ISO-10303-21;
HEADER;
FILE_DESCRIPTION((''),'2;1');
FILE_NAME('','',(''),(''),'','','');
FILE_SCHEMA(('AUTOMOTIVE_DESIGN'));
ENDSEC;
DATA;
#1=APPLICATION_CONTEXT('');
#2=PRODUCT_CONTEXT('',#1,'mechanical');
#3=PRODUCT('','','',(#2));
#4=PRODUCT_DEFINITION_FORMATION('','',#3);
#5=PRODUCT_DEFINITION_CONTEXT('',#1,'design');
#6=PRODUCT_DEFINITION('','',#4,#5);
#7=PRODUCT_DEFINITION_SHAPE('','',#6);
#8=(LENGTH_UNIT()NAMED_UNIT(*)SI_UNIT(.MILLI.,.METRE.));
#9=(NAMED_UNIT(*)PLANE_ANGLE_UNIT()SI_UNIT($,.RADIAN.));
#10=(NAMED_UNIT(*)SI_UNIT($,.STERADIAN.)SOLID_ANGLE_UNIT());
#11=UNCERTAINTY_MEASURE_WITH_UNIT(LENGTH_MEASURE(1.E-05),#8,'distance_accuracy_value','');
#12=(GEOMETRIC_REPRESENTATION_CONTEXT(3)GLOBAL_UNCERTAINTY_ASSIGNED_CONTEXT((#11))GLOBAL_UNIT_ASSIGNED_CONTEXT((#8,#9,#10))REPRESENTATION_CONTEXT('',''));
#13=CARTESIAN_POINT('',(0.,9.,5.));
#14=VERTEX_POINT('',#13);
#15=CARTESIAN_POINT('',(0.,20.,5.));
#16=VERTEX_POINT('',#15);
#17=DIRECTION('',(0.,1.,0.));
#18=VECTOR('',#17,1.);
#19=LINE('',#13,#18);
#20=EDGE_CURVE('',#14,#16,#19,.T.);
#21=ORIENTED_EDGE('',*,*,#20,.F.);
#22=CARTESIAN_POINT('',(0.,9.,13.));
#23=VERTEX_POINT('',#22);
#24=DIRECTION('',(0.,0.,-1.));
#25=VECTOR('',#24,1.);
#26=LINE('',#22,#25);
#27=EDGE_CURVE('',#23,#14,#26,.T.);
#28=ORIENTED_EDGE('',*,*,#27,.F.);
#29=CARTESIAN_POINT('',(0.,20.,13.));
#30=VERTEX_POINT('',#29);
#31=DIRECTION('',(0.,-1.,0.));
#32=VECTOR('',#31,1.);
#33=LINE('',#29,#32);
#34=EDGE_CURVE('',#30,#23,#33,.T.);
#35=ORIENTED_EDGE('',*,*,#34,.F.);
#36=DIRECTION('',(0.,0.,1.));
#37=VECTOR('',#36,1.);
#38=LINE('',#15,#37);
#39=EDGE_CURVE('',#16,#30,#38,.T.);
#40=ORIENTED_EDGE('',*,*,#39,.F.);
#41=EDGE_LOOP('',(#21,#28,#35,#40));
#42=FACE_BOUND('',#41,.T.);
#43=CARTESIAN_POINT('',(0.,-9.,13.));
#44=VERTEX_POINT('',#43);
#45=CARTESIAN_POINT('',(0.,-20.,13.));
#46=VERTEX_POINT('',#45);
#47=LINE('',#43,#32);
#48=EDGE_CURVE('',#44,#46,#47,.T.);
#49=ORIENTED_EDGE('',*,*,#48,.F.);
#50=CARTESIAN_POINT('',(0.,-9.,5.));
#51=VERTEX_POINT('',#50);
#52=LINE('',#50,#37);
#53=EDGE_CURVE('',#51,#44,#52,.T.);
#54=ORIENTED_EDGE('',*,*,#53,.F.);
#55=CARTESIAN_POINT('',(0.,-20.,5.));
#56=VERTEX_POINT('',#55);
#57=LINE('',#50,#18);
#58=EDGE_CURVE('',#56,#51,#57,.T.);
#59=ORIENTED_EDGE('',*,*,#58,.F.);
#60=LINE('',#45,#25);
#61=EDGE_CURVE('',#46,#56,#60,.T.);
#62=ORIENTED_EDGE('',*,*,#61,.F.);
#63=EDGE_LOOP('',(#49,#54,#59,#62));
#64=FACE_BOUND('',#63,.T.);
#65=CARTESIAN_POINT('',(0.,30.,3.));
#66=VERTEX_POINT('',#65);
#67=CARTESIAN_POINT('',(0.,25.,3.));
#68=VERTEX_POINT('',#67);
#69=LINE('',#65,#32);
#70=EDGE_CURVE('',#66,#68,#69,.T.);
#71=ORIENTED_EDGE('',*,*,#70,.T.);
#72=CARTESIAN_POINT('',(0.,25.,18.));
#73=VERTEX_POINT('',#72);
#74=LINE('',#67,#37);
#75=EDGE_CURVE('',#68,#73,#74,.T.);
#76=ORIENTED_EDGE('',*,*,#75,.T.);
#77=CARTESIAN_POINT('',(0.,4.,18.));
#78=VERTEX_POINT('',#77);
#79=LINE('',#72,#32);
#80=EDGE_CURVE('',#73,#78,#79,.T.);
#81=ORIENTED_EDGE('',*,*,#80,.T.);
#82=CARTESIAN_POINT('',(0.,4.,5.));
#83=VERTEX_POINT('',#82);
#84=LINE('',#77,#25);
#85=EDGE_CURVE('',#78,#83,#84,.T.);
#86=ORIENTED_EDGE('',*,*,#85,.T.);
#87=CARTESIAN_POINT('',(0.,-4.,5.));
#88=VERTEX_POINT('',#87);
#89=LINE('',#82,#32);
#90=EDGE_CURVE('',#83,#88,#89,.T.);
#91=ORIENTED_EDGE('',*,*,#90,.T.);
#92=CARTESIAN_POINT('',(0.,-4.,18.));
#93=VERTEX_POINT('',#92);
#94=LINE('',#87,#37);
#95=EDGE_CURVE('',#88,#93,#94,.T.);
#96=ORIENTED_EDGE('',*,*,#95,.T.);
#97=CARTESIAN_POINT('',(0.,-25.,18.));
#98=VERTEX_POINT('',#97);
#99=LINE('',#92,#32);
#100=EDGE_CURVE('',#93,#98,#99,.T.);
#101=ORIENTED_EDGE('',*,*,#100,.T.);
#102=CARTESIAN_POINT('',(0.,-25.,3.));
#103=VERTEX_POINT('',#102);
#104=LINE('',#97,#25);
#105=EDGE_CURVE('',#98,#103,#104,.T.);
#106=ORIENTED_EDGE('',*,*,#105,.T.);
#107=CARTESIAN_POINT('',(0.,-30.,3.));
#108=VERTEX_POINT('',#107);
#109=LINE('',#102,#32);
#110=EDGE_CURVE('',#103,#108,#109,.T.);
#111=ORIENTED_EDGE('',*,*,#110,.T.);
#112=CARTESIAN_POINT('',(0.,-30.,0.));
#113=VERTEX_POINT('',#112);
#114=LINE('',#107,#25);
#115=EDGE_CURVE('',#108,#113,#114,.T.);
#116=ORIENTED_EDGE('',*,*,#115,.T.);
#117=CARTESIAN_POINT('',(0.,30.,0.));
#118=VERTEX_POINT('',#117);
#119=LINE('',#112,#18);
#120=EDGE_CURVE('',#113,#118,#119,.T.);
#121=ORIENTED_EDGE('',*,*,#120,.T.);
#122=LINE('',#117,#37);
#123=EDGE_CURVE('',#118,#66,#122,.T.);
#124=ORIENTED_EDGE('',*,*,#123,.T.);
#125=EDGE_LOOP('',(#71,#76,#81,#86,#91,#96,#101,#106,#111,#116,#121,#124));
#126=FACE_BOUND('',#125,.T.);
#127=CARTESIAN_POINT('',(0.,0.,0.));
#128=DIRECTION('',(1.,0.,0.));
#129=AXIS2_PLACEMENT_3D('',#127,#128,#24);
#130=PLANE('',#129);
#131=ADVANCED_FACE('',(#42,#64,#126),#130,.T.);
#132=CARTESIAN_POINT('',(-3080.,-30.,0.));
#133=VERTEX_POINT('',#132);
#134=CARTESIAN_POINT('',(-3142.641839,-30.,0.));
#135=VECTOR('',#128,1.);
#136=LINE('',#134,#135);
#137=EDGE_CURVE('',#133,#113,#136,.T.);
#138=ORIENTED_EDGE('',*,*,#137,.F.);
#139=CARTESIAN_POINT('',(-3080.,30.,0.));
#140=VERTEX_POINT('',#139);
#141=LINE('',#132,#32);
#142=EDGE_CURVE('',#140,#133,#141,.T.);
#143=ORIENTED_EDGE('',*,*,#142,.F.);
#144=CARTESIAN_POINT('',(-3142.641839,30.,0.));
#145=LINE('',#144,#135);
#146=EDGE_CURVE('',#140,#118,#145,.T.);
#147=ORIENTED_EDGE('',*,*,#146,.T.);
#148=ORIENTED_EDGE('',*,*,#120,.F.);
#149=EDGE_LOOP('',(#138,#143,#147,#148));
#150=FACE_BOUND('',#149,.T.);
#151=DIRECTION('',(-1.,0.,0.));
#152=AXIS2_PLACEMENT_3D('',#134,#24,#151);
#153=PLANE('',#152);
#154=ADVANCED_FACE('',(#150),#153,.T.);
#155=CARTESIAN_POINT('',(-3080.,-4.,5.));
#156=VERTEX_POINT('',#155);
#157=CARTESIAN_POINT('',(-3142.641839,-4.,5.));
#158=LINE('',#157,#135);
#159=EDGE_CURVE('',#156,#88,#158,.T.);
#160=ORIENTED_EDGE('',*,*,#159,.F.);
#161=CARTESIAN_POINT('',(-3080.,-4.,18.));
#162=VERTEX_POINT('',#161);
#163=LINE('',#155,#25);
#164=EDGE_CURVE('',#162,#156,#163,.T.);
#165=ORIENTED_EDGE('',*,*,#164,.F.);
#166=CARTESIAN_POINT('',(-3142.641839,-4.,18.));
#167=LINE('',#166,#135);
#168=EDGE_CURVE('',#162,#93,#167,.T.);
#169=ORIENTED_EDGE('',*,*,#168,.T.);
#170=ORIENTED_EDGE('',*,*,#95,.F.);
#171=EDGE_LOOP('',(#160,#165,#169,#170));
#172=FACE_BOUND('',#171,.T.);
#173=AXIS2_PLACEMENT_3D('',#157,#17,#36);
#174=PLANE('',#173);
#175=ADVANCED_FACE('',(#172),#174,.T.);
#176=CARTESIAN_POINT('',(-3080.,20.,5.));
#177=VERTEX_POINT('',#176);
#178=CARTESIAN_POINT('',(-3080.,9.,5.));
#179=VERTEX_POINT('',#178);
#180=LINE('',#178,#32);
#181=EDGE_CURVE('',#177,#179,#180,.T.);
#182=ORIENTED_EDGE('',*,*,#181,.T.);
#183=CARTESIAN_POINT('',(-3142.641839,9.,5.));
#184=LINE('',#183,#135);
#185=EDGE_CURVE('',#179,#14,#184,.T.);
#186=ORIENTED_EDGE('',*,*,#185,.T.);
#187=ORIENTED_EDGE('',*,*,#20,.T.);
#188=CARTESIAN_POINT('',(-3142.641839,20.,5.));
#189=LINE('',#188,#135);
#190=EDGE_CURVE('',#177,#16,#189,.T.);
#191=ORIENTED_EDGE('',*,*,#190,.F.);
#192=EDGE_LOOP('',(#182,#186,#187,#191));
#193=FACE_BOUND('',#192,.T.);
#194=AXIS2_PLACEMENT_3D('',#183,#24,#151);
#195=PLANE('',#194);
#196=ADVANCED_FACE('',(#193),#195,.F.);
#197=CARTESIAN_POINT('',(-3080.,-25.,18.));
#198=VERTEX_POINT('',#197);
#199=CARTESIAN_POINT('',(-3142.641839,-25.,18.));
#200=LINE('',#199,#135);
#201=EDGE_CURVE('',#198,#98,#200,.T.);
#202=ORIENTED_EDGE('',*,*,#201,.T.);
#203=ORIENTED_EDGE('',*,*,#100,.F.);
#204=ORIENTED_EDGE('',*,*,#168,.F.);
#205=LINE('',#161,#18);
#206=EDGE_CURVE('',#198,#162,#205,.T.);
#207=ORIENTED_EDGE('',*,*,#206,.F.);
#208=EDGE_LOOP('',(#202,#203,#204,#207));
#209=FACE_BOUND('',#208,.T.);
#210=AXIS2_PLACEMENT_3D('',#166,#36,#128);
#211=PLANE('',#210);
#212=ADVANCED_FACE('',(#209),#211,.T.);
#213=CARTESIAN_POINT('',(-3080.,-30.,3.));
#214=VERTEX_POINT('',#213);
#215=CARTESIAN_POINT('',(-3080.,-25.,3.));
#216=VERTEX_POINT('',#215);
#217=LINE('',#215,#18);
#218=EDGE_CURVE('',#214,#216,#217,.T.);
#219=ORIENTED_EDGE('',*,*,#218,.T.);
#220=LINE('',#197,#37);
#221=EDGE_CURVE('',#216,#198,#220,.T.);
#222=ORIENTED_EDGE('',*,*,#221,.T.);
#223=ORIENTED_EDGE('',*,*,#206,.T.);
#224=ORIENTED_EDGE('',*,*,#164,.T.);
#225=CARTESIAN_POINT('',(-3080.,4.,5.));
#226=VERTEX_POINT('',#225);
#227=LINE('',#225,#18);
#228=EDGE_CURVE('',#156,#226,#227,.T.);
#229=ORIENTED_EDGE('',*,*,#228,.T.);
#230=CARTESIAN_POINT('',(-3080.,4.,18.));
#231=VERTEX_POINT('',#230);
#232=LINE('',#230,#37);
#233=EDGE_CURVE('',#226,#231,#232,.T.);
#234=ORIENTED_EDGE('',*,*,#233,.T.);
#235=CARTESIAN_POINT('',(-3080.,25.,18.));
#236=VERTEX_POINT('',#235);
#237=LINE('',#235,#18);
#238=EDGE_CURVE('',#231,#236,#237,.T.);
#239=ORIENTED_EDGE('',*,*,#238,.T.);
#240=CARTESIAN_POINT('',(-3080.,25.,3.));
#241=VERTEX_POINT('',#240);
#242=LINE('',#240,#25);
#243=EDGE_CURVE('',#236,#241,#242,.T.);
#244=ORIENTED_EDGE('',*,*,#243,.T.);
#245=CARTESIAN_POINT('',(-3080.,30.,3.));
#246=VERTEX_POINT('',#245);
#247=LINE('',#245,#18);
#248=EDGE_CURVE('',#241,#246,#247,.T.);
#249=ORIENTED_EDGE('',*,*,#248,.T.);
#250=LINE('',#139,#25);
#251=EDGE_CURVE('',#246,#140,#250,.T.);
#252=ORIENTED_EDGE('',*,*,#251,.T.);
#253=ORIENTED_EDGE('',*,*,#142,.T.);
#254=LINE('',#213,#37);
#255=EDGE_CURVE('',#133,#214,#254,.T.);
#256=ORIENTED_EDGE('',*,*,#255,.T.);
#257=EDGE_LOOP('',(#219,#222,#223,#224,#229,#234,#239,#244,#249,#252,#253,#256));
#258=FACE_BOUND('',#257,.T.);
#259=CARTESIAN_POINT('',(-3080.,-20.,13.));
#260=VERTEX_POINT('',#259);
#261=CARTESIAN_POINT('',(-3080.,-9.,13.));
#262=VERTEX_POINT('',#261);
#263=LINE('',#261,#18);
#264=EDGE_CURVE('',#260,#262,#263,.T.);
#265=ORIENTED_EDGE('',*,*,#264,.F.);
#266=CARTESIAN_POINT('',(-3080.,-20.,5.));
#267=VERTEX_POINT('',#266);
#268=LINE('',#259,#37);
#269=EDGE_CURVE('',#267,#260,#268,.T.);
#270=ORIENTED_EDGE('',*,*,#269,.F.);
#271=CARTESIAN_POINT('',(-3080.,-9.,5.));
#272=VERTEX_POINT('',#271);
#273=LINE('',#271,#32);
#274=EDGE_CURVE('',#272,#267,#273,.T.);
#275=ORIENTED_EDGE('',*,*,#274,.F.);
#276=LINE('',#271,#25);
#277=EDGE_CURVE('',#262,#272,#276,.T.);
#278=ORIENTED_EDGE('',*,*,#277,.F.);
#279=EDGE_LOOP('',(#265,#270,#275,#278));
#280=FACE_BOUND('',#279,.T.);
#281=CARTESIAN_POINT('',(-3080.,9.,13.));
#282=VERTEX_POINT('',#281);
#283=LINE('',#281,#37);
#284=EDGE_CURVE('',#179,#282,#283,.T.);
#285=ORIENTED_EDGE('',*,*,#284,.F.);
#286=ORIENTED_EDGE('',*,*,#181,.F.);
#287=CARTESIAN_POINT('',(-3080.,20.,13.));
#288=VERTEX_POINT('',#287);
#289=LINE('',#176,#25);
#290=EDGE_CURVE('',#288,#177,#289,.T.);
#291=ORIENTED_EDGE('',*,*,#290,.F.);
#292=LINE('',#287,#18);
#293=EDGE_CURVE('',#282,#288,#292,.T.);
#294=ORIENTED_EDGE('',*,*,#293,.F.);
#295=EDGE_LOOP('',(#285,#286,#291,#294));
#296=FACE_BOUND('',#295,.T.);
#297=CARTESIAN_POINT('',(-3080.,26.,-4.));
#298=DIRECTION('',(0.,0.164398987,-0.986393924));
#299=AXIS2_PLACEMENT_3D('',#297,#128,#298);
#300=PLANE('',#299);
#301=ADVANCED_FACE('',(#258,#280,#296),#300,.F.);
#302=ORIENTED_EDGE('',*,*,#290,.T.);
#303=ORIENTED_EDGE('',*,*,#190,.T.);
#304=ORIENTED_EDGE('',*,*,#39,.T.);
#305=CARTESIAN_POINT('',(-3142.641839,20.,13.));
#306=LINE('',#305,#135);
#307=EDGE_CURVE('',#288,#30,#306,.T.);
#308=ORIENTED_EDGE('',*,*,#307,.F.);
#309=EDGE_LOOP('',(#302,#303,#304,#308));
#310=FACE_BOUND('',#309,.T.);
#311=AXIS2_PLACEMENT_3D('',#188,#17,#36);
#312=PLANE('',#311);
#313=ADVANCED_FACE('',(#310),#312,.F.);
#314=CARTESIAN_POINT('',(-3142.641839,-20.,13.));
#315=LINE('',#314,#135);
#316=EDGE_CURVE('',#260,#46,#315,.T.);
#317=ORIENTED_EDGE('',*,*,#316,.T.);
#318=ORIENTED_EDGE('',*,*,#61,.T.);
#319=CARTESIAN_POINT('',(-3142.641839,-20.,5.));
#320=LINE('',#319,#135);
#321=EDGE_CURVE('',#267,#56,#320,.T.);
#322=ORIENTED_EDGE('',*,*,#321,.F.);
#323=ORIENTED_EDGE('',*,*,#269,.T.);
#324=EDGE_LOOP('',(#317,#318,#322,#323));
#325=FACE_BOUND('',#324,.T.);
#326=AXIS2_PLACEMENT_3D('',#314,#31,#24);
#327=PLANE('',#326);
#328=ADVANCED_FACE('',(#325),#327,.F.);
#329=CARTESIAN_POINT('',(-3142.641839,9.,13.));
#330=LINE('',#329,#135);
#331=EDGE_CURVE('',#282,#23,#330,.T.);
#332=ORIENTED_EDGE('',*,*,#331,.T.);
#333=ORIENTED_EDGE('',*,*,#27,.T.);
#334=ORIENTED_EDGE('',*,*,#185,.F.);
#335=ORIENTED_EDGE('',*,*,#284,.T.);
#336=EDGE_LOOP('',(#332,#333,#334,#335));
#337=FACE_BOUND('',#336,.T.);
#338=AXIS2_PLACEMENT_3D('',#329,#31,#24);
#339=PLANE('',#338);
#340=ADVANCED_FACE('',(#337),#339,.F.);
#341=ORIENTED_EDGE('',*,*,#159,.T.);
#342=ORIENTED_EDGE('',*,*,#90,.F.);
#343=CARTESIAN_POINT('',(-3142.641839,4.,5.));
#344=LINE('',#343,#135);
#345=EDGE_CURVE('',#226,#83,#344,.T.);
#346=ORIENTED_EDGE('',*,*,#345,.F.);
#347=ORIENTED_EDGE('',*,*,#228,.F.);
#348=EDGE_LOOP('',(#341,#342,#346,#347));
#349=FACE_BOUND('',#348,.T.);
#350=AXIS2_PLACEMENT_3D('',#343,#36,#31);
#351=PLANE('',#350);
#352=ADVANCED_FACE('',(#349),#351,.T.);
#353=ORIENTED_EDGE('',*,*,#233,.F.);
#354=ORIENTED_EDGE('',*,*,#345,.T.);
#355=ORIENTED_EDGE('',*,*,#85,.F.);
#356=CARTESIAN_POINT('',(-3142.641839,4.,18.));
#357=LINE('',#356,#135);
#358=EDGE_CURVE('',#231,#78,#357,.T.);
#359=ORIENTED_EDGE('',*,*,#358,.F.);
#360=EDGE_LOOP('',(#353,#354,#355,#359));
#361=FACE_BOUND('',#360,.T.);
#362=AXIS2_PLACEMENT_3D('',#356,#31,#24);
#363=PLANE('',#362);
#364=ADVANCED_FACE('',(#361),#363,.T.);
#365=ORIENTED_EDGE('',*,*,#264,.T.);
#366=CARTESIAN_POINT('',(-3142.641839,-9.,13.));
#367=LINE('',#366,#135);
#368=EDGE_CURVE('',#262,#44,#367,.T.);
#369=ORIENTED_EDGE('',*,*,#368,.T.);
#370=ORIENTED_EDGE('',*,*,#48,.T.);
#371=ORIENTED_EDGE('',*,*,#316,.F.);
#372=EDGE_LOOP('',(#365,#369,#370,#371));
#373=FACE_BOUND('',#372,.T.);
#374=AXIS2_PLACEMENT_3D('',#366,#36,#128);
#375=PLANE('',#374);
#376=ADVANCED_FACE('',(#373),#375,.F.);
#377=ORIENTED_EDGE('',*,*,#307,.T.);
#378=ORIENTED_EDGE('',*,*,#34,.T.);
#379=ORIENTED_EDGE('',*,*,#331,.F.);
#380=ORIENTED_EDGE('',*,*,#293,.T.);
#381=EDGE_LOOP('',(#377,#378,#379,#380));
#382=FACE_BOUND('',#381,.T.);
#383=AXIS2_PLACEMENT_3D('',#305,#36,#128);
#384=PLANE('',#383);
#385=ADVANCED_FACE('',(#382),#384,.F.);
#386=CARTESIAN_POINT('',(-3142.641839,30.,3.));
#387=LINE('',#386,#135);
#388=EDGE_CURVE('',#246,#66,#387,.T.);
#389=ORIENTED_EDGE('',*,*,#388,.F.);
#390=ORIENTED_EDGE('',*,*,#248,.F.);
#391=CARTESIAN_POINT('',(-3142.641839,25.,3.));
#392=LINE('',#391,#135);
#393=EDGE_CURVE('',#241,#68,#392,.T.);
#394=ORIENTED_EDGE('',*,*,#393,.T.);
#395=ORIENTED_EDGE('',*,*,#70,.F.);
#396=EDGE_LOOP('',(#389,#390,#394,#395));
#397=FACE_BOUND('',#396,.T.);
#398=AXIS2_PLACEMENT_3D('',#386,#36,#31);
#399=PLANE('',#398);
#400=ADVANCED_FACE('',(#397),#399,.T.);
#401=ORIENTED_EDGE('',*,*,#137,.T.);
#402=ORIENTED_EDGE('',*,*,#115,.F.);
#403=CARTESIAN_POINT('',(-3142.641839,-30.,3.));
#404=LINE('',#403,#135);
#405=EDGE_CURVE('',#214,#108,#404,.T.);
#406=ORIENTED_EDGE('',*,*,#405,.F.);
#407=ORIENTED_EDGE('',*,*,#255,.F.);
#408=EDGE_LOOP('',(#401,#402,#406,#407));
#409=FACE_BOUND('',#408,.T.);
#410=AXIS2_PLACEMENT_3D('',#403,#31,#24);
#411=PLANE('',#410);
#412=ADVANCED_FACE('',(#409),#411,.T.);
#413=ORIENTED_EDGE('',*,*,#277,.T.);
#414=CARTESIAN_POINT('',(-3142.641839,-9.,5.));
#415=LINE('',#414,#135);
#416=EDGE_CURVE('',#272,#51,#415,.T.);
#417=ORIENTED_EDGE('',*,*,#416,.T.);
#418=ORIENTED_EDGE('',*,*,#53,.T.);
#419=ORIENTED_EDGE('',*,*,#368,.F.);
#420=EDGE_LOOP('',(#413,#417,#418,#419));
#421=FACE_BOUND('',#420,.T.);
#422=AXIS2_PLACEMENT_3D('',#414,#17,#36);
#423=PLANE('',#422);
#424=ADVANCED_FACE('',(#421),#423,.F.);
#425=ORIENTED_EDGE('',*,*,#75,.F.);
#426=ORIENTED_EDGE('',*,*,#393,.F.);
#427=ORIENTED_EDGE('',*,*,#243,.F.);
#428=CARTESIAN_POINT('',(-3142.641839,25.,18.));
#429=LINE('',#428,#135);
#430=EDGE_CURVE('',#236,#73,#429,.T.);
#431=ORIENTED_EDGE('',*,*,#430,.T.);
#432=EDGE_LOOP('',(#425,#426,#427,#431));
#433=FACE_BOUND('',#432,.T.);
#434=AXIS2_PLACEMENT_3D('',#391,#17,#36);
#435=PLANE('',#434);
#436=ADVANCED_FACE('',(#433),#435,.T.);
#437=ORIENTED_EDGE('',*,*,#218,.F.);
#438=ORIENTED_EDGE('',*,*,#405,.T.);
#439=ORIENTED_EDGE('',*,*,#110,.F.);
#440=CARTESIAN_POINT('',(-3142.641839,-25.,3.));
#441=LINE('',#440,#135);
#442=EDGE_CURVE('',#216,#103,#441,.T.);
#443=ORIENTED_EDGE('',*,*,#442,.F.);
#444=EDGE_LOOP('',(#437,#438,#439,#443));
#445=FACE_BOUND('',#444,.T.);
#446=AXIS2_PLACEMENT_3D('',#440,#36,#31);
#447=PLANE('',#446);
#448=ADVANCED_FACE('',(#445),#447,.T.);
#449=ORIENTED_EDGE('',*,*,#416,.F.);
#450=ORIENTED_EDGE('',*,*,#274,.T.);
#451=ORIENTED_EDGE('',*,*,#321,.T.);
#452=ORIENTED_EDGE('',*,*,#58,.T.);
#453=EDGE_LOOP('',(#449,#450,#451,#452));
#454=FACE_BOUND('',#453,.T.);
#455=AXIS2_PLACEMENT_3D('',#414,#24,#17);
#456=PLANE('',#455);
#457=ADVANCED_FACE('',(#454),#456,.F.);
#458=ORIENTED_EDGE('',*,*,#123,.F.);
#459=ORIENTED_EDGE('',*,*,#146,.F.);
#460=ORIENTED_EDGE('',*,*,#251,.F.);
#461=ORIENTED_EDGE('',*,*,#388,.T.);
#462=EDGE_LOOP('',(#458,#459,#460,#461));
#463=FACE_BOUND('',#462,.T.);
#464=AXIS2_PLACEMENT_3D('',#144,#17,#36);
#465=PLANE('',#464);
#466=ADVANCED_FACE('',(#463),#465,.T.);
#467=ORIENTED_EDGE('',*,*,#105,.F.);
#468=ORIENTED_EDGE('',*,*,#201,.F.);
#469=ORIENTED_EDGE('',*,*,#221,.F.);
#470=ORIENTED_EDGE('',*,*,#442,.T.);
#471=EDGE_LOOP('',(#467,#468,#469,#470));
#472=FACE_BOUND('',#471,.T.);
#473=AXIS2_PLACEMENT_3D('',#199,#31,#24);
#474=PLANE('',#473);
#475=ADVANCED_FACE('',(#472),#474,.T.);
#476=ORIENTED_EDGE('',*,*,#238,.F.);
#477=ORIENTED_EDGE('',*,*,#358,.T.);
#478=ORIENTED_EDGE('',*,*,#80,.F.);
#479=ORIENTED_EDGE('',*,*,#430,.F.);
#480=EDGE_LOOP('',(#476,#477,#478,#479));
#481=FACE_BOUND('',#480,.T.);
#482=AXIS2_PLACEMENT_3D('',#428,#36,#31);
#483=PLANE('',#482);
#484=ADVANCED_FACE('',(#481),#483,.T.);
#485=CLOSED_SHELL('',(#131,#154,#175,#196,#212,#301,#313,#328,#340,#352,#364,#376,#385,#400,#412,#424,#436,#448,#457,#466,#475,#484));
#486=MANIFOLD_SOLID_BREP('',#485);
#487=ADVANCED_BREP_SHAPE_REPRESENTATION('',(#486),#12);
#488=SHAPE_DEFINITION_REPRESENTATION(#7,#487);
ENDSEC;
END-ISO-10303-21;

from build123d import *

# Parameters (mm, degrees)
SKETCH_1_W      = 8
SKETCH_1_H      = 11
EXTRUDE_1_DEPTH = 3080


with BuildPart() as part:
    # Эскиз1 → Бобышка-Вытянуть1 (new body)
    with BuildSketch(Plane(origin=(0, 0, 0), x_dir=(0, 0, -1), z_dir=(1, 0, 0))):
        Polygon((0, -30), (0, 30), (-3, 30), (-3, 25), (-18, 25), (-18, 4), (-5, 4), (-5, -4), (-18, -4), (-18, -25), (-3, -25), (-3, -30), align=None)
        with Locations((-9, 14.5)):
            Rectangle(SKETCH_1_W, SKETCH_1_H, mode=Mode.SUBTRACT)
        with Locations((-9, -14.5)):
            Rectangle(SKETCH_1_W, SKETCH_1_H, mode=Mode.SUBTRACT)
    extrude(amount=-EXTRUDE_1_DEPTH)


solid = part.part
